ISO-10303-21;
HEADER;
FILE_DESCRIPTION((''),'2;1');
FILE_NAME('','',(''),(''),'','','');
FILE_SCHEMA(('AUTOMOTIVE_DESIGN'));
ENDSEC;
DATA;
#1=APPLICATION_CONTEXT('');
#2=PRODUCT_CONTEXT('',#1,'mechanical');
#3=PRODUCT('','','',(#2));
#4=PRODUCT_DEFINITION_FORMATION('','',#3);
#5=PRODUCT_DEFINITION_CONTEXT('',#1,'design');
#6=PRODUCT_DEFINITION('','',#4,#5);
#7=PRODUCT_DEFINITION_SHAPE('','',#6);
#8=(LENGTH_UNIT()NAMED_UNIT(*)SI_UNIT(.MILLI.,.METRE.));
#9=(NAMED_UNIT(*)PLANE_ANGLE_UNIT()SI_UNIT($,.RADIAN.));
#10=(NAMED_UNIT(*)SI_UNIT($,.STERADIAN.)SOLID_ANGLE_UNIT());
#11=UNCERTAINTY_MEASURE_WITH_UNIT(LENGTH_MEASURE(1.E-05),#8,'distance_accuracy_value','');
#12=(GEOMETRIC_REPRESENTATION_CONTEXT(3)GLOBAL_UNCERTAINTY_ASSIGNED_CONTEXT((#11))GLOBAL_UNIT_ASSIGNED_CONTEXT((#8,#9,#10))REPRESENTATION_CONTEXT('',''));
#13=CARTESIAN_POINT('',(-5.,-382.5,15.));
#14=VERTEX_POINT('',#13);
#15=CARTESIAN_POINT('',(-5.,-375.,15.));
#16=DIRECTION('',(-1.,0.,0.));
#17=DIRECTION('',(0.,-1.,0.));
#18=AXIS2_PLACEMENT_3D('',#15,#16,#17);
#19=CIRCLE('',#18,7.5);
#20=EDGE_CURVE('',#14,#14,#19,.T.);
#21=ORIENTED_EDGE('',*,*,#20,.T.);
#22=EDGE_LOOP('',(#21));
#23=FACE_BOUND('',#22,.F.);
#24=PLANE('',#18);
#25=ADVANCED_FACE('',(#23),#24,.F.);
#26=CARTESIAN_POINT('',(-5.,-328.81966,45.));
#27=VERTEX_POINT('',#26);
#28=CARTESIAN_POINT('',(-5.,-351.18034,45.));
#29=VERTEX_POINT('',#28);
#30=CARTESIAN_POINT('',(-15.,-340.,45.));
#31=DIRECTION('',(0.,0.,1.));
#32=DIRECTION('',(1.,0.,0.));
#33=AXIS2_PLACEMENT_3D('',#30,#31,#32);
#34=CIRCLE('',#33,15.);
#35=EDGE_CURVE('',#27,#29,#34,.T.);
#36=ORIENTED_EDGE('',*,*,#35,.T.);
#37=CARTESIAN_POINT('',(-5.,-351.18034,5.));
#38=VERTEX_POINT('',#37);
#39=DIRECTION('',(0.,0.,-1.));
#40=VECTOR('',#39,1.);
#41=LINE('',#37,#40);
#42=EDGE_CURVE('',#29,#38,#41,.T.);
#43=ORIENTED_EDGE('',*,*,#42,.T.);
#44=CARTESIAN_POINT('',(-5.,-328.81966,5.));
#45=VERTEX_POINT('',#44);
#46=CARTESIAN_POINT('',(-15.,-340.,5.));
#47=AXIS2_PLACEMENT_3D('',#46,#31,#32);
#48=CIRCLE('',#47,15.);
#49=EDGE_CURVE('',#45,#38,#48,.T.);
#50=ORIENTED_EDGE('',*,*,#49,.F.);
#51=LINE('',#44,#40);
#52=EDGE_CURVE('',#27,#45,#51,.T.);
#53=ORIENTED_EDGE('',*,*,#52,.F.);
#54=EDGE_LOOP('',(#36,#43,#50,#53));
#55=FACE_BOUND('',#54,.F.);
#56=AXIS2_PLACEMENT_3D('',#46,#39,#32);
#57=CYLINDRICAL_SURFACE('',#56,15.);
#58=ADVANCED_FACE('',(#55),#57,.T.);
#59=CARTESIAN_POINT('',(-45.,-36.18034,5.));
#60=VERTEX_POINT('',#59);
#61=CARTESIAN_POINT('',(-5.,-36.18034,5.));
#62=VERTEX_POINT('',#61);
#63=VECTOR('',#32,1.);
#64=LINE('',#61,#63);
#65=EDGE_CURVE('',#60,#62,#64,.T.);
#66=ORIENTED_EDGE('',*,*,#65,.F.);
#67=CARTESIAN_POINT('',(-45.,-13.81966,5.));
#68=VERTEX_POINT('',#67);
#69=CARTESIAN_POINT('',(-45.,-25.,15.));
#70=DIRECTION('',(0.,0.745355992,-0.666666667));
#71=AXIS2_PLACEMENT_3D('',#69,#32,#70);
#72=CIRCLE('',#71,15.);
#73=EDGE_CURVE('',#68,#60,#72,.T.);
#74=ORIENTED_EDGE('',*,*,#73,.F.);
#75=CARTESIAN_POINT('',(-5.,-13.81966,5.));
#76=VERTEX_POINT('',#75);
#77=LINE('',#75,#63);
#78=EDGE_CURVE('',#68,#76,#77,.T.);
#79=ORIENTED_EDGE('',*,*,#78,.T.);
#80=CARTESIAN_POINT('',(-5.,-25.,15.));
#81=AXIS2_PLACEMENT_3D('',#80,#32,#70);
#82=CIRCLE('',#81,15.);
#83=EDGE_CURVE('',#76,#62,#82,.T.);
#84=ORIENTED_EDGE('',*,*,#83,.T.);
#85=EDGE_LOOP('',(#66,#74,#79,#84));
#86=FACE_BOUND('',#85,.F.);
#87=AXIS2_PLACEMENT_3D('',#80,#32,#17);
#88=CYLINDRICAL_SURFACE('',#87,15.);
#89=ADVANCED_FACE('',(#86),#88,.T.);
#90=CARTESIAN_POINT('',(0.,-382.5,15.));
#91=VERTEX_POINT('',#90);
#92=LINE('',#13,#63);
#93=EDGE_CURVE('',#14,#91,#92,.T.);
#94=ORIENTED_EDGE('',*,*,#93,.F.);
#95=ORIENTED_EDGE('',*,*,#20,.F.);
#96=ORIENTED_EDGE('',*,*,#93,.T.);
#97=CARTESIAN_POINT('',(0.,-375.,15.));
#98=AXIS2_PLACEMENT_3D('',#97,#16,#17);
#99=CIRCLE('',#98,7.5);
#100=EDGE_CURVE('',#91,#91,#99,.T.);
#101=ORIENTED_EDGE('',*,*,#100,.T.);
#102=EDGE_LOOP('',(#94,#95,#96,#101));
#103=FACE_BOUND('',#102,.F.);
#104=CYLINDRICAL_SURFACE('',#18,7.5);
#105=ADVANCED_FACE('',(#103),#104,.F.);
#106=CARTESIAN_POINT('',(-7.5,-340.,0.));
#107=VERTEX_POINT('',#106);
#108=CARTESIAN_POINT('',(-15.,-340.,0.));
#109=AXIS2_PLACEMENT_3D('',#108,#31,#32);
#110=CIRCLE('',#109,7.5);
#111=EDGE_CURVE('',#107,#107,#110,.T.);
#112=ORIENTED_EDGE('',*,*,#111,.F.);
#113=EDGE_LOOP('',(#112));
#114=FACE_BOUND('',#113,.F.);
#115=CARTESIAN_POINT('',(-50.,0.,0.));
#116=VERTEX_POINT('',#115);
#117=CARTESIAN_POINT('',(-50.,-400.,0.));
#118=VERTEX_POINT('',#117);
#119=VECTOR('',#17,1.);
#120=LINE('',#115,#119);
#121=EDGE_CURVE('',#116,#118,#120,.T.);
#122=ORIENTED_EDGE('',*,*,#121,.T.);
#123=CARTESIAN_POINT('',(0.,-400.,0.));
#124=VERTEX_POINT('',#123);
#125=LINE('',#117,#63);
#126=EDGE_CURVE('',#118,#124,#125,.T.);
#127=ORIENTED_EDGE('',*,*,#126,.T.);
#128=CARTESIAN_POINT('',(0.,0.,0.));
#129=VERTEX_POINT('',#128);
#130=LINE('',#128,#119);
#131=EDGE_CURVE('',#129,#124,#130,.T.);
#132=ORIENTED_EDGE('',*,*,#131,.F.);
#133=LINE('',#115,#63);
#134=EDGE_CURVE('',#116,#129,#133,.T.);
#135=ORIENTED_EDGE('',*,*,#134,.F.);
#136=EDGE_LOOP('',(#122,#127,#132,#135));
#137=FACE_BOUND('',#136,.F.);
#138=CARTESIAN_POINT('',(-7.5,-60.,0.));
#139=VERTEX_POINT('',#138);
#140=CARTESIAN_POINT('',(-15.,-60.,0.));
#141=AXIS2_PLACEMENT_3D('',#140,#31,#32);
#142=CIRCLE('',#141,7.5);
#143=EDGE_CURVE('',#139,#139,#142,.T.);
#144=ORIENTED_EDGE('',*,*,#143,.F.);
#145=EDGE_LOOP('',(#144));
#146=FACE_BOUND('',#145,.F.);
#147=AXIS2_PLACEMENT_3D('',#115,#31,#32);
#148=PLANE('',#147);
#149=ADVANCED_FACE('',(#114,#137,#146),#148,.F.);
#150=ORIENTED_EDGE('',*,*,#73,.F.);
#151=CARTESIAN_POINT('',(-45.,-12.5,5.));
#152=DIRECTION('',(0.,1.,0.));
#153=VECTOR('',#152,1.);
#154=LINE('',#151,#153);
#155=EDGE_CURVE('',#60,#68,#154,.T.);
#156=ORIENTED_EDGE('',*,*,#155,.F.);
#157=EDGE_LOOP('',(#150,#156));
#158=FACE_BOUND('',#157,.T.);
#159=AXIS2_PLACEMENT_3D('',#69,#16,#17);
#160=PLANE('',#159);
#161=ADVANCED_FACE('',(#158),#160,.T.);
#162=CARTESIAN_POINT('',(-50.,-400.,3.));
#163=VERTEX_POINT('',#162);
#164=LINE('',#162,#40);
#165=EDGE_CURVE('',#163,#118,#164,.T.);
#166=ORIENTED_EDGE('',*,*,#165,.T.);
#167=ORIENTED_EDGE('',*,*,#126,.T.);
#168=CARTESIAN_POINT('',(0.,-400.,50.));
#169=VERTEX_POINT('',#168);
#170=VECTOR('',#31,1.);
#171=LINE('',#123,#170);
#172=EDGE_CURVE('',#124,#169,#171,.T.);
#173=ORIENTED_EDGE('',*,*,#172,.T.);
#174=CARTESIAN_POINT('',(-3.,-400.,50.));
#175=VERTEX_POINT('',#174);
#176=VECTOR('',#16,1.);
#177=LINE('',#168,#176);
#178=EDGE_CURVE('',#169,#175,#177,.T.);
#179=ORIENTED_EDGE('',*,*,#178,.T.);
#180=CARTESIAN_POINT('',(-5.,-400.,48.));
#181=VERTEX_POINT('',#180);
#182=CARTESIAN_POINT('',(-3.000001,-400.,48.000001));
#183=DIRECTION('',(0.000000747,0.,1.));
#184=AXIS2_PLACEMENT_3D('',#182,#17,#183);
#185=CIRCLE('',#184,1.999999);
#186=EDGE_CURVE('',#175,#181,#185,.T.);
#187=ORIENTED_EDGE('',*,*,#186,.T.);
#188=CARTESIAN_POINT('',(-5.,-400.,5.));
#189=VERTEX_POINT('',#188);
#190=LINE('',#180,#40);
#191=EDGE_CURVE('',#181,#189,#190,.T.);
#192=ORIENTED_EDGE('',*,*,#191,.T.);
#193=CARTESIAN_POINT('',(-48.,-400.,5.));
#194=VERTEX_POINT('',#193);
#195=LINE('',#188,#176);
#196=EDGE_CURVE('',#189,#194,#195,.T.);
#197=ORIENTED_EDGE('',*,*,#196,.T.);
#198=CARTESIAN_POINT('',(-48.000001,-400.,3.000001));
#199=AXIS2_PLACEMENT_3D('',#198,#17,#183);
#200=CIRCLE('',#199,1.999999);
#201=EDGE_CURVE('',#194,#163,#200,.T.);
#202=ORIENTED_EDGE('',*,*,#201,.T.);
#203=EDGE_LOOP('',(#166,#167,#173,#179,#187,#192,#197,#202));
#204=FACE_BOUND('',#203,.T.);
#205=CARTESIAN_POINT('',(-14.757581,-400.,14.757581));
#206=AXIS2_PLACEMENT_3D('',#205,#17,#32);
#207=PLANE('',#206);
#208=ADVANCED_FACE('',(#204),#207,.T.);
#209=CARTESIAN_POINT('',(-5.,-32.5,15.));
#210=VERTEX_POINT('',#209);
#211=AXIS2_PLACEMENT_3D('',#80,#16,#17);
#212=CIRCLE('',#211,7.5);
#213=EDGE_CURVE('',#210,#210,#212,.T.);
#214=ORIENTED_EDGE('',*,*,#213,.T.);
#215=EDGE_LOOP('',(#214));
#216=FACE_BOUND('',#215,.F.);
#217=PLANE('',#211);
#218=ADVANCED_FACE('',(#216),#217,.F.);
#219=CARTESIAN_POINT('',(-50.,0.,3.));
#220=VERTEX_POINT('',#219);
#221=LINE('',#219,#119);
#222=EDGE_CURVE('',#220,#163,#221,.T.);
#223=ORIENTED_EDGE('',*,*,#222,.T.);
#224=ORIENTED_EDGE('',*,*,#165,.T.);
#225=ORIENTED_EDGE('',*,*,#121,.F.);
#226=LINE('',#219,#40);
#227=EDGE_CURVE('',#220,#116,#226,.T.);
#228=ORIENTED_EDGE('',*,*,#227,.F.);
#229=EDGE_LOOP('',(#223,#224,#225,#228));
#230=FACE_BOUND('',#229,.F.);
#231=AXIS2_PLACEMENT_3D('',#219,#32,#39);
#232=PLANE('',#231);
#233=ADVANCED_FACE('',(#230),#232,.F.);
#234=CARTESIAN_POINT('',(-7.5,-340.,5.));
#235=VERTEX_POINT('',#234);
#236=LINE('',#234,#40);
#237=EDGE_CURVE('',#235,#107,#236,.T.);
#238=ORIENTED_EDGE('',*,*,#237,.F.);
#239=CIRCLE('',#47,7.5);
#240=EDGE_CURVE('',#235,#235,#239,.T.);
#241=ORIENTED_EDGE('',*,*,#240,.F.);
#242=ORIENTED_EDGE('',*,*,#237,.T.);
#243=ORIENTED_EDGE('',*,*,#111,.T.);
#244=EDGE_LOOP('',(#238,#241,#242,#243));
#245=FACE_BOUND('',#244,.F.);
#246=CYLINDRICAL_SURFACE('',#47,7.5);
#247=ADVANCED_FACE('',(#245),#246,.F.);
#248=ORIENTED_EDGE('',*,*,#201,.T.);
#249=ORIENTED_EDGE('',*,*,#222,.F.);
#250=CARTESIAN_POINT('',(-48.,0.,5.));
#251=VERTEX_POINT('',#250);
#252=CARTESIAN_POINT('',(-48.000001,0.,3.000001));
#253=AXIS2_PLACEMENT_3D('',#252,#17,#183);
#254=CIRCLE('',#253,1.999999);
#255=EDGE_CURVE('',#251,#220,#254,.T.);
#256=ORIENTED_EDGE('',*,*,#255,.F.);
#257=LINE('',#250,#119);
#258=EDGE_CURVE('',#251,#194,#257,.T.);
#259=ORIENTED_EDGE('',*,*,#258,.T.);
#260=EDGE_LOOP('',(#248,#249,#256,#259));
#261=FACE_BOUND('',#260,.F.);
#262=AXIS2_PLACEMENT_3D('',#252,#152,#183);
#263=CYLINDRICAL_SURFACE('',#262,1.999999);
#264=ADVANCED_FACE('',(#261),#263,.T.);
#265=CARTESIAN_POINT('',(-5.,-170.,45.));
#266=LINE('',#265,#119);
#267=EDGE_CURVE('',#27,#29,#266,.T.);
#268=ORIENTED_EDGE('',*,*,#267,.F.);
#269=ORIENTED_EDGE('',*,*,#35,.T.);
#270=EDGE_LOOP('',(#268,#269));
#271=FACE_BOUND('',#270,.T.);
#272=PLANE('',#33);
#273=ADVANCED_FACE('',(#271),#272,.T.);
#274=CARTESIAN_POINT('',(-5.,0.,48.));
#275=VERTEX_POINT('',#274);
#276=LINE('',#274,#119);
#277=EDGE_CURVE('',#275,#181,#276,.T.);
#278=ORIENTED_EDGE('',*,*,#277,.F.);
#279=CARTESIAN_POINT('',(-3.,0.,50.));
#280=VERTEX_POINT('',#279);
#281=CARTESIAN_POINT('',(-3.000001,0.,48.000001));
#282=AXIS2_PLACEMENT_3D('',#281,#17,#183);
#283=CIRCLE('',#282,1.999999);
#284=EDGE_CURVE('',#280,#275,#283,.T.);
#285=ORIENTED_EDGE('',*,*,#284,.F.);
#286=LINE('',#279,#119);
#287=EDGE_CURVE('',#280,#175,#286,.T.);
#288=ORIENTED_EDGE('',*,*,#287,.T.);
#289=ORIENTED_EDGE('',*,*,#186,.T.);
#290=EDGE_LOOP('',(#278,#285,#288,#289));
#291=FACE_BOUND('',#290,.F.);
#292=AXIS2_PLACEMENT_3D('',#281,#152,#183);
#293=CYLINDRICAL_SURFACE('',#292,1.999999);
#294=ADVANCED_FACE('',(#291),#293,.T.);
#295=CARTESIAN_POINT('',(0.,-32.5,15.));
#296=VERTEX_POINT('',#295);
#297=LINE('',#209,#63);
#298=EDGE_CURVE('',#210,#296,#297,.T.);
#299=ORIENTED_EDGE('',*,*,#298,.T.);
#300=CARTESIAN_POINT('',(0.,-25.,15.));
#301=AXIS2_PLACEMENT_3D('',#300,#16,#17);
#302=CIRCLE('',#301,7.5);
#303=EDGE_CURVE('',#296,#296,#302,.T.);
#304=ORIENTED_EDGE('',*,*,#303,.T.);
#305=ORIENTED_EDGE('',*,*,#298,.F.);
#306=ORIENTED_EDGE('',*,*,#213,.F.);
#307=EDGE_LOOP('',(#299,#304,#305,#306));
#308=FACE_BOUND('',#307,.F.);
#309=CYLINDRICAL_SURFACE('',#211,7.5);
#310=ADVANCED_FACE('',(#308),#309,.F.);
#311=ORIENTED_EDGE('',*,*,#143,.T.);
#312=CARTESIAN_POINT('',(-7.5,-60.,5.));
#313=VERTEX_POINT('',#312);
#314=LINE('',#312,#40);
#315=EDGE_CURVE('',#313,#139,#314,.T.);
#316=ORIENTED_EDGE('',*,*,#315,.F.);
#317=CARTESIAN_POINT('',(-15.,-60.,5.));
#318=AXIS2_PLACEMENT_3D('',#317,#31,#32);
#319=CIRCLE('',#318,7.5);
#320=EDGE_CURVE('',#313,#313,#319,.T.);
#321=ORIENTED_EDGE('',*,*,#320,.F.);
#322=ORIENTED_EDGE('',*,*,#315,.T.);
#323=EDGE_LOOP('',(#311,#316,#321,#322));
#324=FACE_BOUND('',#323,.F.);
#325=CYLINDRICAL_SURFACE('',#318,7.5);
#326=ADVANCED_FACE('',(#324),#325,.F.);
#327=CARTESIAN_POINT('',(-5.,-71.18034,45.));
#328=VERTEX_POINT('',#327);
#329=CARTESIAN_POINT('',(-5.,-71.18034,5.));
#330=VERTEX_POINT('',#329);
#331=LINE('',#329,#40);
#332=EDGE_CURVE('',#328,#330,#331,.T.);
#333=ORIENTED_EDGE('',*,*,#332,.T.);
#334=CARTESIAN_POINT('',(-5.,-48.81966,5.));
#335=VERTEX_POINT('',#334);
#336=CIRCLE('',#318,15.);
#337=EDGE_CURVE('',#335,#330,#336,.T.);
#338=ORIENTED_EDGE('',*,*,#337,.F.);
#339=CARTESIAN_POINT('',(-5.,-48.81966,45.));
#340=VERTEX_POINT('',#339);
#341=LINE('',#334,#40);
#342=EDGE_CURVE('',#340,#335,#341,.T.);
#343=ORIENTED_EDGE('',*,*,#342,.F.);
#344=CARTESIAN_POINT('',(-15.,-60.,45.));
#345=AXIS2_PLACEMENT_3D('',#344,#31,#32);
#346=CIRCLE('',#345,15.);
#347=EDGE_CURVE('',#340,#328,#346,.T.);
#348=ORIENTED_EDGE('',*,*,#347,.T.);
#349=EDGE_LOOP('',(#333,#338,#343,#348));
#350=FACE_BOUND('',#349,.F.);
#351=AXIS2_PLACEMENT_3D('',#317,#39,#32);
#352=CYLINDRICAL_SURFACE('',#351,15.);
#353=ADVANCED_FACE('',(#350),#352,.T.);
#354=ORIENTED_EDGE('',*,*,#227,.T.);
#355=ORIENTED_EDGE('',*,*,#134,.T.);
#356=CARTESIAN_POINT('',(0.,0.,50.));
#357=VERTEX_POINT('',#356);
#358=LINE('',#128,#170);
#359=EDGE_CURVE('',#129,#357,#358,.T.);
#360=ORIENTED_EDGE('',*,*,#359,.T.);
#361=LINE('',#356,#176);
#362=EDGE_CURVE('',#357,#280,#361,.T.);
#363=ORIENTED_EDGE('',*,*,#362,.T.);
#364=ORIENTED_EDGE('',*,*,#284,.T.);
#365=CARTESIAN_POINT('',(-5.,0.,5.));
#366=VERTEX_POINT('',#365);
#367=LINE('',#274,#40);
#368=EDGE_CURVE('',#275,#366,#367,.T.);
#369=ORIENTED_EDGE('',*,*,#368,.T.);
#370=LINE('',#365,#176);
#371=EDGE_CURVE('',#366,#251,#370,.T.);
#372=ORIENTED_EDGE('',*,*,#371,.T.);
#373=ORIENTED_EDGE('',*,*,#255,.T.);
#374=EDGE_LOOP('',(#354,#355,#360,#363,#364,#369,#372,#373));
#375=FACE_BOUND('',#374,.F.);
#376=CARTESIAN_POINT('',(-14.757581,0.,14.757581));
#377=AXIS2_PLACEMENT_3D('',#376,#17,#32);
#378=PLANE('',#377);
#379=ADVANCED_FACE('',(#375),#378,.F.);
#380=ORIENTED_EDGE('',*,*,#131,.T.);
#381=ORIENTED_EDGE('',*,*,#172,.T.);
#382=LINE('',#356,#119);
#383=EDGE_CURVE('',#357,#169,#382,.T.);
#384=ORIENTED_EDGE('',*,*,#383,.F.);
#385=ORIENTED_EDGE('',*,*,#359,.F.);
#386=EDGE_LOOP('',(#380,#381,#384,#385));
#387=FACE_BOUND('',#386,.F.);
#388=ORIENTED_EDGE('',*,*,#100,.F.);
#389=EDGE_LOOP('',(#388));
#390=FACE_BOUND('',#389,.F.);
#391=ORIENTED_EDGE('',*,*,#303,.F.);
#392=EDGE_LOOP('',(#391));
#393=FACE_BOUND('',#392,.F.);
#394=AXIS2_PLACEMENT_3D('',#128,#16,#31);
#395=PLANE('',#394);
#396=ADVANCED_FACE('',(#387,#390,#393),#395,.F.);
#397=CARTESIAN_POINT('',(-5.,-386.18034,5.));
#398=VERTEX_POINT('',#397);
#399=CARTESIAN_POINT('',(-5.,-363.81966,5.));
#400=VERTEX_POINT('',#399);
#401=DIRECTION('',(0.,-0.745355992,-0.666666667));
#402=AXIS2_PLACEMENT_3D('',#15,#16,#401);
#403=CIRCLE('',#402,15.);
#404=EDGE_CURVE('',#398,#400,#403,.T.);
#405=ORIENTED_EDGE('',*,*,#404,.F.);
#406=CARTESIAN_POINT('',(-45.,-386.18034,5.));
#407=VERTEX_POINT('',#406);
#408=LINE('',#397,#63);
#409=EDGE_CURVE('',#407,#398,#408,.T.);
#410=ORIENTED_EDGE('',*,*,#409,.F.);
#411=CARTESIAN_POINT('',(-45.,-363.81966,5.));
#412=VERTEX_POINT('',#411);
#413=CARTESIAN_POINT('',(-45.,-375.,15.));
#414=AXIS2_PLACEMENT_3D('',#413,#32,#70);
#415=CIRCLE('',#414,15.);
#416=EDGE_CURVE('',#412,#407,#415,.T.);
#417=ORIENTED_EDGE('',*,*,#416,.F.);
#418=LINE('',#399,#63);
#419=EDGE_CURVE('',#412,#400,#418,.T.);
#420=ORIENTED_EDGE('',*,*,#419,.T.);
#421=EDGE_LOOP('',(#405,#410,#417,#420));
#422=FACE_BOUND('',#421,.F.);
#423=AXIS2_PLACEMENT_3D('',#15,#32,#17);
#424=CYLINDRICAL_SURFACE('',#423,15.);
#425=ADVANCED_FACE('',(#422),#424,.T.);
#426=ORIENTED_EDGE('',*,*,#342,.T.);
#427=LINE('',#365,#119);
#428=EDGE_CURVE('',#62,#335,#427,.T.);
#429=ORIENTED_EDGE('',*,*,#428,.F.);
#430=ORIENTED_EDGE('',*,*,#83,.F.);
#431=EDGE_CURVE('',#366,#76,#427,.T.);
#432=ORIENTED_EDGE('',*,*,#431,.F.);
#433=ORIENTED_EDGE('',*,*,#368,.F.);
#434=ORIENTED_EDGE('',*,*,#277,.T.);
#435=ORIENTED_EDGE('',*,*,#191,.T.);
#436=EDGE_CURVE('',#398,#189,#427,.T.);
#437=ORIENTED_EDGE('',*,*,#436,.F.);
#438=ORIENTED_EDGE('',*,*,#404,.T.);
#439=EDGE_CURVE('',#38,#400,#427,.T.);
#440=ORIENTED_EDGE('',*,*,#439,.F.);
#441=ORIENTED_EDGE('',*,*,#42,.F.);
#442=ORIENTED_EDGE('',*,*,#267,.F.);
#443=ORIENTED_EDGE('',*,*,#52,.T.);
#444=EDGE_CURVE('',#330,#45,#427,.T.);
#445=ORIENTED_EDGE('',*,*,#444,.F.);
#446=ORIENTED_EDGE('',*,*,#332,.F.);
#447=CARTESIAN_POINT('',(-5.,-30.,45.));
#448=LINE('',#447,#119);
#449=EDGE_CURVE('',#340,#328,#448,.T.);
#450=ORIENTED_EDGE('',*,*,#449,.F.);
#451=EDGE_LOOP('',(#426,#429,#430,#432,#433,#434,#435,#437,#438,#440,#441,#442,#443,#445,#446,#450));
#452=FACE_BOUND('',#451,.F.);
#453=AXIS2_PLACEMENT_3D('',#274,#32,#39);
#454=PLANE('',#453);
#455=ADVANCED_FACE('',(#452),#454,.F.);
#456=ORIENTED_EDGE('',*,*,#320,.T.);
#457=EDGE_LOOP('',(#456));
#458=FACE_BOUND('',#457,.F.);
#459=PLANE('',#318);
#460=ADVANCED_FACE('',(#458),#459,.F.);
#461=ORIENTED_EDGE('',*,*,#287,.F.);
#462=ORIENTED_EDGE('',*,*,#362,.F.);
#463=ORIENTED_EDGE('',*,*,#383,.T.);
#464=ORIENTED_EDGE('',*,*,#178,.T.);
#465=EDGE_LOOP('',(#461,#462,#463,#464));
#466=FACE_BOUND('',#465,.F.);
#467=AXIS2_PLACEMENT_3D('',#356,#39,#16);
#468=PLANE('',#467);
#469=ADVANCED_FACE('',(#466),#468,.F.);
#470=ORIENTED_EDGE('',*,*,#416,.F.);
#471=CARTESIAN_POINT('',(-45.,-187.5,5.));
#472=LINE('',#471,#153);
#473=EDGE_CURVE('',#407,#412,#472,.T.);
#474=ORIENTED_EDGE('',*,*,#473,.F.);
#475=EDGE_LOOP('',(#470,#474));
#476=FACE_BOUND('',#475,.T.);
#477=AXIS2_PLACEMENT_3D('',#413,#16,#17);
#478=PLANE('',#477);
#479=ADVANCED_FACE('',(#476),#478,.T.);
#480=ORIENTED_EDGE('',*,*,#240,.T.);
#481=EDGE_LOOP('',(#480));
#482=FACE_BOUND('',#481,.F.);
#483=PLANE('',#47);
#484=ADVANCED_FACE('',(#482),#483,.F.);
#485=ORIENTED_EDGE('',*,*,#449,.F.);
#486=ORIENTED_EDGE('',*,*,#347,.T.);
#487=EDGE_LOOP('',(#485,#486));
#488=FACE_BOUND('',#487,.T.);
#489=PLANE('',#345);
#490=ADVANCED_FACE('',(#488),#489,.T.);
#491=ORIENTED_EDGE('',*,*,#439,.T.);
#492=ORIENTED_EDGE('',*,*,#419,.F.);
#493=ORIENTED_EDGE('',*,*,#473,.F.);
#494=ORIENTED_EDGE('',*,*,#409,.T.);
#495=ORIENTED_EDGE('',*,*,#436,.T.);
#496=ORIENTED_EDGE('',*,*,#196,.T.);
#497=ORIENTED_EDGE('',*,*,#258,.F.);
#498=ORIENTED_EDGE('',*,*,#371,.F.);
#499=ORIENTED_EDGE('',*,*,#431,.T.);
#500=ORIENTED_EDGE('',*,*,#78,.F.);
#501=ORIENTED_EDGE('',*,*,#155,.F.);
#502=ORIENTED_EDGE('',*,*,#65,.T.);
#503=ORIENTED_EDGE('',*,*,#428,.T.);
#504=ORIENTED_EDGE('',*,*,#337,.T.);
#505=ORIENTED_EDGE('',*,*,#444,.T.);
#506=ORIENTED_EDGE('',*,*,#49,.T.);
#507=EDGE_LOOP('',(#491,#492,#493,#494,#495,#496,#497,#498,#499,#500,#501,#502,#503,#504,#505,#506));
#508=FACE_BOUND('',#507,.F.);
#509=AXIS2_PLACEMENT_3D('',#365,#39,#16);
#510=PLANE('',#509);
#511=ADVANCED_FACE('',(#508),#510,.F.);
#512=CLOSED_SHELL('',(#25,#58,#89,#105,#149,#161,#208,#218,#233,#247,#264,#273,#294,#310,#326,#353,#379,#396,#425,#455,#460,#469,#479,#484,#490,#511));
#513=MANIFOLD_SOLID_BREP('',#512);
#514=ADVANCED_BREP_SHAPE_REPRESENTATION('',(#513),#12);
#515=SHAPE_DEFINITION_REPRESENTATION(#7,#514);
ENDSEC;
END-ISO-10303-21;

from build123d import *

# Parameters (mm, degrees)
F1_DEPTH = 400
F2_R     = 7.5
F3_DEPTH = 5
F4_R     = 7.5
F5_DEPTH = 5
F6_R     = 15
F7_DEPTH = 40
F8_R     = 15
F9_DEPTH = 40


with BuildPart() as f1:
    # F0 (on Front) → F1 (new body)
    with BuildSketch(Plane.XZ):
        with BuildLine():
            Line((0, 50), (-3, 50))
            ThreePointArc((-3, 50), (-4.414214, 49.414214), (-5, 48))
            Line((-5, 48), (-5, 5))
            Line((-5, 5), (-48, 5))
            ThreePointArc((-48, 5), (-49.414214, 4.414214), (-50, 3))
            Line((-50, 3), (-50, 0))
            Line((-50, 0), (0, 0))
            Line((0, 0), (0, 50))
        make_face()
    extrude(amount=F1_DEPTH)

    # F2 (on face) → F3 (cut, through all)
    with BuildSketch(Plane(origin=(-5, 0, 0), x_dir=(0, -1, 0), z_dir=(-1, 0, 0))):
        with Locations((25, 15)):
            Circle(F2_R)
        with Locations((375, 15)):
            Circle(F2_R)
    extrude(amount=-F3_DEPTH, mode=Mode.SUBTRACT)

    # F4 (on face) → F5 (cut, through all)
    with BuildSketch(Plane.XY.offset(5)):
        with Locations((-15, -60)):
            Circle(F4_R)
        with Locations((-15, -340)):
            Circle(F4_R)
    extrude(amount=-F5_DEPTH, mode=Mode.SUBTRACT)

    # F6 (on face) → F7 (join)
    with BuildSketch(Plane(origin=(-5, 0, 0), x_dir=(0, -1, 0), z_dir=(-1, 0, 0))):
        with Locations((375, 15)):
            Circle(F6_R)
        with Locations((25, 15)):
            Circle(F6_R)
    extrude(amount=F7_DEPTH)

    # F8 (on face) → F9 (join)
    with BuildSketch(Plane.XY.offset(5)):
        with Locations((-15, -340)):
            Circle(F8_R)
        with Locations((-15, -60)):
            Circle(F8_R)
    extrude(amount=F9_DEPTH)


solid = f1.part
